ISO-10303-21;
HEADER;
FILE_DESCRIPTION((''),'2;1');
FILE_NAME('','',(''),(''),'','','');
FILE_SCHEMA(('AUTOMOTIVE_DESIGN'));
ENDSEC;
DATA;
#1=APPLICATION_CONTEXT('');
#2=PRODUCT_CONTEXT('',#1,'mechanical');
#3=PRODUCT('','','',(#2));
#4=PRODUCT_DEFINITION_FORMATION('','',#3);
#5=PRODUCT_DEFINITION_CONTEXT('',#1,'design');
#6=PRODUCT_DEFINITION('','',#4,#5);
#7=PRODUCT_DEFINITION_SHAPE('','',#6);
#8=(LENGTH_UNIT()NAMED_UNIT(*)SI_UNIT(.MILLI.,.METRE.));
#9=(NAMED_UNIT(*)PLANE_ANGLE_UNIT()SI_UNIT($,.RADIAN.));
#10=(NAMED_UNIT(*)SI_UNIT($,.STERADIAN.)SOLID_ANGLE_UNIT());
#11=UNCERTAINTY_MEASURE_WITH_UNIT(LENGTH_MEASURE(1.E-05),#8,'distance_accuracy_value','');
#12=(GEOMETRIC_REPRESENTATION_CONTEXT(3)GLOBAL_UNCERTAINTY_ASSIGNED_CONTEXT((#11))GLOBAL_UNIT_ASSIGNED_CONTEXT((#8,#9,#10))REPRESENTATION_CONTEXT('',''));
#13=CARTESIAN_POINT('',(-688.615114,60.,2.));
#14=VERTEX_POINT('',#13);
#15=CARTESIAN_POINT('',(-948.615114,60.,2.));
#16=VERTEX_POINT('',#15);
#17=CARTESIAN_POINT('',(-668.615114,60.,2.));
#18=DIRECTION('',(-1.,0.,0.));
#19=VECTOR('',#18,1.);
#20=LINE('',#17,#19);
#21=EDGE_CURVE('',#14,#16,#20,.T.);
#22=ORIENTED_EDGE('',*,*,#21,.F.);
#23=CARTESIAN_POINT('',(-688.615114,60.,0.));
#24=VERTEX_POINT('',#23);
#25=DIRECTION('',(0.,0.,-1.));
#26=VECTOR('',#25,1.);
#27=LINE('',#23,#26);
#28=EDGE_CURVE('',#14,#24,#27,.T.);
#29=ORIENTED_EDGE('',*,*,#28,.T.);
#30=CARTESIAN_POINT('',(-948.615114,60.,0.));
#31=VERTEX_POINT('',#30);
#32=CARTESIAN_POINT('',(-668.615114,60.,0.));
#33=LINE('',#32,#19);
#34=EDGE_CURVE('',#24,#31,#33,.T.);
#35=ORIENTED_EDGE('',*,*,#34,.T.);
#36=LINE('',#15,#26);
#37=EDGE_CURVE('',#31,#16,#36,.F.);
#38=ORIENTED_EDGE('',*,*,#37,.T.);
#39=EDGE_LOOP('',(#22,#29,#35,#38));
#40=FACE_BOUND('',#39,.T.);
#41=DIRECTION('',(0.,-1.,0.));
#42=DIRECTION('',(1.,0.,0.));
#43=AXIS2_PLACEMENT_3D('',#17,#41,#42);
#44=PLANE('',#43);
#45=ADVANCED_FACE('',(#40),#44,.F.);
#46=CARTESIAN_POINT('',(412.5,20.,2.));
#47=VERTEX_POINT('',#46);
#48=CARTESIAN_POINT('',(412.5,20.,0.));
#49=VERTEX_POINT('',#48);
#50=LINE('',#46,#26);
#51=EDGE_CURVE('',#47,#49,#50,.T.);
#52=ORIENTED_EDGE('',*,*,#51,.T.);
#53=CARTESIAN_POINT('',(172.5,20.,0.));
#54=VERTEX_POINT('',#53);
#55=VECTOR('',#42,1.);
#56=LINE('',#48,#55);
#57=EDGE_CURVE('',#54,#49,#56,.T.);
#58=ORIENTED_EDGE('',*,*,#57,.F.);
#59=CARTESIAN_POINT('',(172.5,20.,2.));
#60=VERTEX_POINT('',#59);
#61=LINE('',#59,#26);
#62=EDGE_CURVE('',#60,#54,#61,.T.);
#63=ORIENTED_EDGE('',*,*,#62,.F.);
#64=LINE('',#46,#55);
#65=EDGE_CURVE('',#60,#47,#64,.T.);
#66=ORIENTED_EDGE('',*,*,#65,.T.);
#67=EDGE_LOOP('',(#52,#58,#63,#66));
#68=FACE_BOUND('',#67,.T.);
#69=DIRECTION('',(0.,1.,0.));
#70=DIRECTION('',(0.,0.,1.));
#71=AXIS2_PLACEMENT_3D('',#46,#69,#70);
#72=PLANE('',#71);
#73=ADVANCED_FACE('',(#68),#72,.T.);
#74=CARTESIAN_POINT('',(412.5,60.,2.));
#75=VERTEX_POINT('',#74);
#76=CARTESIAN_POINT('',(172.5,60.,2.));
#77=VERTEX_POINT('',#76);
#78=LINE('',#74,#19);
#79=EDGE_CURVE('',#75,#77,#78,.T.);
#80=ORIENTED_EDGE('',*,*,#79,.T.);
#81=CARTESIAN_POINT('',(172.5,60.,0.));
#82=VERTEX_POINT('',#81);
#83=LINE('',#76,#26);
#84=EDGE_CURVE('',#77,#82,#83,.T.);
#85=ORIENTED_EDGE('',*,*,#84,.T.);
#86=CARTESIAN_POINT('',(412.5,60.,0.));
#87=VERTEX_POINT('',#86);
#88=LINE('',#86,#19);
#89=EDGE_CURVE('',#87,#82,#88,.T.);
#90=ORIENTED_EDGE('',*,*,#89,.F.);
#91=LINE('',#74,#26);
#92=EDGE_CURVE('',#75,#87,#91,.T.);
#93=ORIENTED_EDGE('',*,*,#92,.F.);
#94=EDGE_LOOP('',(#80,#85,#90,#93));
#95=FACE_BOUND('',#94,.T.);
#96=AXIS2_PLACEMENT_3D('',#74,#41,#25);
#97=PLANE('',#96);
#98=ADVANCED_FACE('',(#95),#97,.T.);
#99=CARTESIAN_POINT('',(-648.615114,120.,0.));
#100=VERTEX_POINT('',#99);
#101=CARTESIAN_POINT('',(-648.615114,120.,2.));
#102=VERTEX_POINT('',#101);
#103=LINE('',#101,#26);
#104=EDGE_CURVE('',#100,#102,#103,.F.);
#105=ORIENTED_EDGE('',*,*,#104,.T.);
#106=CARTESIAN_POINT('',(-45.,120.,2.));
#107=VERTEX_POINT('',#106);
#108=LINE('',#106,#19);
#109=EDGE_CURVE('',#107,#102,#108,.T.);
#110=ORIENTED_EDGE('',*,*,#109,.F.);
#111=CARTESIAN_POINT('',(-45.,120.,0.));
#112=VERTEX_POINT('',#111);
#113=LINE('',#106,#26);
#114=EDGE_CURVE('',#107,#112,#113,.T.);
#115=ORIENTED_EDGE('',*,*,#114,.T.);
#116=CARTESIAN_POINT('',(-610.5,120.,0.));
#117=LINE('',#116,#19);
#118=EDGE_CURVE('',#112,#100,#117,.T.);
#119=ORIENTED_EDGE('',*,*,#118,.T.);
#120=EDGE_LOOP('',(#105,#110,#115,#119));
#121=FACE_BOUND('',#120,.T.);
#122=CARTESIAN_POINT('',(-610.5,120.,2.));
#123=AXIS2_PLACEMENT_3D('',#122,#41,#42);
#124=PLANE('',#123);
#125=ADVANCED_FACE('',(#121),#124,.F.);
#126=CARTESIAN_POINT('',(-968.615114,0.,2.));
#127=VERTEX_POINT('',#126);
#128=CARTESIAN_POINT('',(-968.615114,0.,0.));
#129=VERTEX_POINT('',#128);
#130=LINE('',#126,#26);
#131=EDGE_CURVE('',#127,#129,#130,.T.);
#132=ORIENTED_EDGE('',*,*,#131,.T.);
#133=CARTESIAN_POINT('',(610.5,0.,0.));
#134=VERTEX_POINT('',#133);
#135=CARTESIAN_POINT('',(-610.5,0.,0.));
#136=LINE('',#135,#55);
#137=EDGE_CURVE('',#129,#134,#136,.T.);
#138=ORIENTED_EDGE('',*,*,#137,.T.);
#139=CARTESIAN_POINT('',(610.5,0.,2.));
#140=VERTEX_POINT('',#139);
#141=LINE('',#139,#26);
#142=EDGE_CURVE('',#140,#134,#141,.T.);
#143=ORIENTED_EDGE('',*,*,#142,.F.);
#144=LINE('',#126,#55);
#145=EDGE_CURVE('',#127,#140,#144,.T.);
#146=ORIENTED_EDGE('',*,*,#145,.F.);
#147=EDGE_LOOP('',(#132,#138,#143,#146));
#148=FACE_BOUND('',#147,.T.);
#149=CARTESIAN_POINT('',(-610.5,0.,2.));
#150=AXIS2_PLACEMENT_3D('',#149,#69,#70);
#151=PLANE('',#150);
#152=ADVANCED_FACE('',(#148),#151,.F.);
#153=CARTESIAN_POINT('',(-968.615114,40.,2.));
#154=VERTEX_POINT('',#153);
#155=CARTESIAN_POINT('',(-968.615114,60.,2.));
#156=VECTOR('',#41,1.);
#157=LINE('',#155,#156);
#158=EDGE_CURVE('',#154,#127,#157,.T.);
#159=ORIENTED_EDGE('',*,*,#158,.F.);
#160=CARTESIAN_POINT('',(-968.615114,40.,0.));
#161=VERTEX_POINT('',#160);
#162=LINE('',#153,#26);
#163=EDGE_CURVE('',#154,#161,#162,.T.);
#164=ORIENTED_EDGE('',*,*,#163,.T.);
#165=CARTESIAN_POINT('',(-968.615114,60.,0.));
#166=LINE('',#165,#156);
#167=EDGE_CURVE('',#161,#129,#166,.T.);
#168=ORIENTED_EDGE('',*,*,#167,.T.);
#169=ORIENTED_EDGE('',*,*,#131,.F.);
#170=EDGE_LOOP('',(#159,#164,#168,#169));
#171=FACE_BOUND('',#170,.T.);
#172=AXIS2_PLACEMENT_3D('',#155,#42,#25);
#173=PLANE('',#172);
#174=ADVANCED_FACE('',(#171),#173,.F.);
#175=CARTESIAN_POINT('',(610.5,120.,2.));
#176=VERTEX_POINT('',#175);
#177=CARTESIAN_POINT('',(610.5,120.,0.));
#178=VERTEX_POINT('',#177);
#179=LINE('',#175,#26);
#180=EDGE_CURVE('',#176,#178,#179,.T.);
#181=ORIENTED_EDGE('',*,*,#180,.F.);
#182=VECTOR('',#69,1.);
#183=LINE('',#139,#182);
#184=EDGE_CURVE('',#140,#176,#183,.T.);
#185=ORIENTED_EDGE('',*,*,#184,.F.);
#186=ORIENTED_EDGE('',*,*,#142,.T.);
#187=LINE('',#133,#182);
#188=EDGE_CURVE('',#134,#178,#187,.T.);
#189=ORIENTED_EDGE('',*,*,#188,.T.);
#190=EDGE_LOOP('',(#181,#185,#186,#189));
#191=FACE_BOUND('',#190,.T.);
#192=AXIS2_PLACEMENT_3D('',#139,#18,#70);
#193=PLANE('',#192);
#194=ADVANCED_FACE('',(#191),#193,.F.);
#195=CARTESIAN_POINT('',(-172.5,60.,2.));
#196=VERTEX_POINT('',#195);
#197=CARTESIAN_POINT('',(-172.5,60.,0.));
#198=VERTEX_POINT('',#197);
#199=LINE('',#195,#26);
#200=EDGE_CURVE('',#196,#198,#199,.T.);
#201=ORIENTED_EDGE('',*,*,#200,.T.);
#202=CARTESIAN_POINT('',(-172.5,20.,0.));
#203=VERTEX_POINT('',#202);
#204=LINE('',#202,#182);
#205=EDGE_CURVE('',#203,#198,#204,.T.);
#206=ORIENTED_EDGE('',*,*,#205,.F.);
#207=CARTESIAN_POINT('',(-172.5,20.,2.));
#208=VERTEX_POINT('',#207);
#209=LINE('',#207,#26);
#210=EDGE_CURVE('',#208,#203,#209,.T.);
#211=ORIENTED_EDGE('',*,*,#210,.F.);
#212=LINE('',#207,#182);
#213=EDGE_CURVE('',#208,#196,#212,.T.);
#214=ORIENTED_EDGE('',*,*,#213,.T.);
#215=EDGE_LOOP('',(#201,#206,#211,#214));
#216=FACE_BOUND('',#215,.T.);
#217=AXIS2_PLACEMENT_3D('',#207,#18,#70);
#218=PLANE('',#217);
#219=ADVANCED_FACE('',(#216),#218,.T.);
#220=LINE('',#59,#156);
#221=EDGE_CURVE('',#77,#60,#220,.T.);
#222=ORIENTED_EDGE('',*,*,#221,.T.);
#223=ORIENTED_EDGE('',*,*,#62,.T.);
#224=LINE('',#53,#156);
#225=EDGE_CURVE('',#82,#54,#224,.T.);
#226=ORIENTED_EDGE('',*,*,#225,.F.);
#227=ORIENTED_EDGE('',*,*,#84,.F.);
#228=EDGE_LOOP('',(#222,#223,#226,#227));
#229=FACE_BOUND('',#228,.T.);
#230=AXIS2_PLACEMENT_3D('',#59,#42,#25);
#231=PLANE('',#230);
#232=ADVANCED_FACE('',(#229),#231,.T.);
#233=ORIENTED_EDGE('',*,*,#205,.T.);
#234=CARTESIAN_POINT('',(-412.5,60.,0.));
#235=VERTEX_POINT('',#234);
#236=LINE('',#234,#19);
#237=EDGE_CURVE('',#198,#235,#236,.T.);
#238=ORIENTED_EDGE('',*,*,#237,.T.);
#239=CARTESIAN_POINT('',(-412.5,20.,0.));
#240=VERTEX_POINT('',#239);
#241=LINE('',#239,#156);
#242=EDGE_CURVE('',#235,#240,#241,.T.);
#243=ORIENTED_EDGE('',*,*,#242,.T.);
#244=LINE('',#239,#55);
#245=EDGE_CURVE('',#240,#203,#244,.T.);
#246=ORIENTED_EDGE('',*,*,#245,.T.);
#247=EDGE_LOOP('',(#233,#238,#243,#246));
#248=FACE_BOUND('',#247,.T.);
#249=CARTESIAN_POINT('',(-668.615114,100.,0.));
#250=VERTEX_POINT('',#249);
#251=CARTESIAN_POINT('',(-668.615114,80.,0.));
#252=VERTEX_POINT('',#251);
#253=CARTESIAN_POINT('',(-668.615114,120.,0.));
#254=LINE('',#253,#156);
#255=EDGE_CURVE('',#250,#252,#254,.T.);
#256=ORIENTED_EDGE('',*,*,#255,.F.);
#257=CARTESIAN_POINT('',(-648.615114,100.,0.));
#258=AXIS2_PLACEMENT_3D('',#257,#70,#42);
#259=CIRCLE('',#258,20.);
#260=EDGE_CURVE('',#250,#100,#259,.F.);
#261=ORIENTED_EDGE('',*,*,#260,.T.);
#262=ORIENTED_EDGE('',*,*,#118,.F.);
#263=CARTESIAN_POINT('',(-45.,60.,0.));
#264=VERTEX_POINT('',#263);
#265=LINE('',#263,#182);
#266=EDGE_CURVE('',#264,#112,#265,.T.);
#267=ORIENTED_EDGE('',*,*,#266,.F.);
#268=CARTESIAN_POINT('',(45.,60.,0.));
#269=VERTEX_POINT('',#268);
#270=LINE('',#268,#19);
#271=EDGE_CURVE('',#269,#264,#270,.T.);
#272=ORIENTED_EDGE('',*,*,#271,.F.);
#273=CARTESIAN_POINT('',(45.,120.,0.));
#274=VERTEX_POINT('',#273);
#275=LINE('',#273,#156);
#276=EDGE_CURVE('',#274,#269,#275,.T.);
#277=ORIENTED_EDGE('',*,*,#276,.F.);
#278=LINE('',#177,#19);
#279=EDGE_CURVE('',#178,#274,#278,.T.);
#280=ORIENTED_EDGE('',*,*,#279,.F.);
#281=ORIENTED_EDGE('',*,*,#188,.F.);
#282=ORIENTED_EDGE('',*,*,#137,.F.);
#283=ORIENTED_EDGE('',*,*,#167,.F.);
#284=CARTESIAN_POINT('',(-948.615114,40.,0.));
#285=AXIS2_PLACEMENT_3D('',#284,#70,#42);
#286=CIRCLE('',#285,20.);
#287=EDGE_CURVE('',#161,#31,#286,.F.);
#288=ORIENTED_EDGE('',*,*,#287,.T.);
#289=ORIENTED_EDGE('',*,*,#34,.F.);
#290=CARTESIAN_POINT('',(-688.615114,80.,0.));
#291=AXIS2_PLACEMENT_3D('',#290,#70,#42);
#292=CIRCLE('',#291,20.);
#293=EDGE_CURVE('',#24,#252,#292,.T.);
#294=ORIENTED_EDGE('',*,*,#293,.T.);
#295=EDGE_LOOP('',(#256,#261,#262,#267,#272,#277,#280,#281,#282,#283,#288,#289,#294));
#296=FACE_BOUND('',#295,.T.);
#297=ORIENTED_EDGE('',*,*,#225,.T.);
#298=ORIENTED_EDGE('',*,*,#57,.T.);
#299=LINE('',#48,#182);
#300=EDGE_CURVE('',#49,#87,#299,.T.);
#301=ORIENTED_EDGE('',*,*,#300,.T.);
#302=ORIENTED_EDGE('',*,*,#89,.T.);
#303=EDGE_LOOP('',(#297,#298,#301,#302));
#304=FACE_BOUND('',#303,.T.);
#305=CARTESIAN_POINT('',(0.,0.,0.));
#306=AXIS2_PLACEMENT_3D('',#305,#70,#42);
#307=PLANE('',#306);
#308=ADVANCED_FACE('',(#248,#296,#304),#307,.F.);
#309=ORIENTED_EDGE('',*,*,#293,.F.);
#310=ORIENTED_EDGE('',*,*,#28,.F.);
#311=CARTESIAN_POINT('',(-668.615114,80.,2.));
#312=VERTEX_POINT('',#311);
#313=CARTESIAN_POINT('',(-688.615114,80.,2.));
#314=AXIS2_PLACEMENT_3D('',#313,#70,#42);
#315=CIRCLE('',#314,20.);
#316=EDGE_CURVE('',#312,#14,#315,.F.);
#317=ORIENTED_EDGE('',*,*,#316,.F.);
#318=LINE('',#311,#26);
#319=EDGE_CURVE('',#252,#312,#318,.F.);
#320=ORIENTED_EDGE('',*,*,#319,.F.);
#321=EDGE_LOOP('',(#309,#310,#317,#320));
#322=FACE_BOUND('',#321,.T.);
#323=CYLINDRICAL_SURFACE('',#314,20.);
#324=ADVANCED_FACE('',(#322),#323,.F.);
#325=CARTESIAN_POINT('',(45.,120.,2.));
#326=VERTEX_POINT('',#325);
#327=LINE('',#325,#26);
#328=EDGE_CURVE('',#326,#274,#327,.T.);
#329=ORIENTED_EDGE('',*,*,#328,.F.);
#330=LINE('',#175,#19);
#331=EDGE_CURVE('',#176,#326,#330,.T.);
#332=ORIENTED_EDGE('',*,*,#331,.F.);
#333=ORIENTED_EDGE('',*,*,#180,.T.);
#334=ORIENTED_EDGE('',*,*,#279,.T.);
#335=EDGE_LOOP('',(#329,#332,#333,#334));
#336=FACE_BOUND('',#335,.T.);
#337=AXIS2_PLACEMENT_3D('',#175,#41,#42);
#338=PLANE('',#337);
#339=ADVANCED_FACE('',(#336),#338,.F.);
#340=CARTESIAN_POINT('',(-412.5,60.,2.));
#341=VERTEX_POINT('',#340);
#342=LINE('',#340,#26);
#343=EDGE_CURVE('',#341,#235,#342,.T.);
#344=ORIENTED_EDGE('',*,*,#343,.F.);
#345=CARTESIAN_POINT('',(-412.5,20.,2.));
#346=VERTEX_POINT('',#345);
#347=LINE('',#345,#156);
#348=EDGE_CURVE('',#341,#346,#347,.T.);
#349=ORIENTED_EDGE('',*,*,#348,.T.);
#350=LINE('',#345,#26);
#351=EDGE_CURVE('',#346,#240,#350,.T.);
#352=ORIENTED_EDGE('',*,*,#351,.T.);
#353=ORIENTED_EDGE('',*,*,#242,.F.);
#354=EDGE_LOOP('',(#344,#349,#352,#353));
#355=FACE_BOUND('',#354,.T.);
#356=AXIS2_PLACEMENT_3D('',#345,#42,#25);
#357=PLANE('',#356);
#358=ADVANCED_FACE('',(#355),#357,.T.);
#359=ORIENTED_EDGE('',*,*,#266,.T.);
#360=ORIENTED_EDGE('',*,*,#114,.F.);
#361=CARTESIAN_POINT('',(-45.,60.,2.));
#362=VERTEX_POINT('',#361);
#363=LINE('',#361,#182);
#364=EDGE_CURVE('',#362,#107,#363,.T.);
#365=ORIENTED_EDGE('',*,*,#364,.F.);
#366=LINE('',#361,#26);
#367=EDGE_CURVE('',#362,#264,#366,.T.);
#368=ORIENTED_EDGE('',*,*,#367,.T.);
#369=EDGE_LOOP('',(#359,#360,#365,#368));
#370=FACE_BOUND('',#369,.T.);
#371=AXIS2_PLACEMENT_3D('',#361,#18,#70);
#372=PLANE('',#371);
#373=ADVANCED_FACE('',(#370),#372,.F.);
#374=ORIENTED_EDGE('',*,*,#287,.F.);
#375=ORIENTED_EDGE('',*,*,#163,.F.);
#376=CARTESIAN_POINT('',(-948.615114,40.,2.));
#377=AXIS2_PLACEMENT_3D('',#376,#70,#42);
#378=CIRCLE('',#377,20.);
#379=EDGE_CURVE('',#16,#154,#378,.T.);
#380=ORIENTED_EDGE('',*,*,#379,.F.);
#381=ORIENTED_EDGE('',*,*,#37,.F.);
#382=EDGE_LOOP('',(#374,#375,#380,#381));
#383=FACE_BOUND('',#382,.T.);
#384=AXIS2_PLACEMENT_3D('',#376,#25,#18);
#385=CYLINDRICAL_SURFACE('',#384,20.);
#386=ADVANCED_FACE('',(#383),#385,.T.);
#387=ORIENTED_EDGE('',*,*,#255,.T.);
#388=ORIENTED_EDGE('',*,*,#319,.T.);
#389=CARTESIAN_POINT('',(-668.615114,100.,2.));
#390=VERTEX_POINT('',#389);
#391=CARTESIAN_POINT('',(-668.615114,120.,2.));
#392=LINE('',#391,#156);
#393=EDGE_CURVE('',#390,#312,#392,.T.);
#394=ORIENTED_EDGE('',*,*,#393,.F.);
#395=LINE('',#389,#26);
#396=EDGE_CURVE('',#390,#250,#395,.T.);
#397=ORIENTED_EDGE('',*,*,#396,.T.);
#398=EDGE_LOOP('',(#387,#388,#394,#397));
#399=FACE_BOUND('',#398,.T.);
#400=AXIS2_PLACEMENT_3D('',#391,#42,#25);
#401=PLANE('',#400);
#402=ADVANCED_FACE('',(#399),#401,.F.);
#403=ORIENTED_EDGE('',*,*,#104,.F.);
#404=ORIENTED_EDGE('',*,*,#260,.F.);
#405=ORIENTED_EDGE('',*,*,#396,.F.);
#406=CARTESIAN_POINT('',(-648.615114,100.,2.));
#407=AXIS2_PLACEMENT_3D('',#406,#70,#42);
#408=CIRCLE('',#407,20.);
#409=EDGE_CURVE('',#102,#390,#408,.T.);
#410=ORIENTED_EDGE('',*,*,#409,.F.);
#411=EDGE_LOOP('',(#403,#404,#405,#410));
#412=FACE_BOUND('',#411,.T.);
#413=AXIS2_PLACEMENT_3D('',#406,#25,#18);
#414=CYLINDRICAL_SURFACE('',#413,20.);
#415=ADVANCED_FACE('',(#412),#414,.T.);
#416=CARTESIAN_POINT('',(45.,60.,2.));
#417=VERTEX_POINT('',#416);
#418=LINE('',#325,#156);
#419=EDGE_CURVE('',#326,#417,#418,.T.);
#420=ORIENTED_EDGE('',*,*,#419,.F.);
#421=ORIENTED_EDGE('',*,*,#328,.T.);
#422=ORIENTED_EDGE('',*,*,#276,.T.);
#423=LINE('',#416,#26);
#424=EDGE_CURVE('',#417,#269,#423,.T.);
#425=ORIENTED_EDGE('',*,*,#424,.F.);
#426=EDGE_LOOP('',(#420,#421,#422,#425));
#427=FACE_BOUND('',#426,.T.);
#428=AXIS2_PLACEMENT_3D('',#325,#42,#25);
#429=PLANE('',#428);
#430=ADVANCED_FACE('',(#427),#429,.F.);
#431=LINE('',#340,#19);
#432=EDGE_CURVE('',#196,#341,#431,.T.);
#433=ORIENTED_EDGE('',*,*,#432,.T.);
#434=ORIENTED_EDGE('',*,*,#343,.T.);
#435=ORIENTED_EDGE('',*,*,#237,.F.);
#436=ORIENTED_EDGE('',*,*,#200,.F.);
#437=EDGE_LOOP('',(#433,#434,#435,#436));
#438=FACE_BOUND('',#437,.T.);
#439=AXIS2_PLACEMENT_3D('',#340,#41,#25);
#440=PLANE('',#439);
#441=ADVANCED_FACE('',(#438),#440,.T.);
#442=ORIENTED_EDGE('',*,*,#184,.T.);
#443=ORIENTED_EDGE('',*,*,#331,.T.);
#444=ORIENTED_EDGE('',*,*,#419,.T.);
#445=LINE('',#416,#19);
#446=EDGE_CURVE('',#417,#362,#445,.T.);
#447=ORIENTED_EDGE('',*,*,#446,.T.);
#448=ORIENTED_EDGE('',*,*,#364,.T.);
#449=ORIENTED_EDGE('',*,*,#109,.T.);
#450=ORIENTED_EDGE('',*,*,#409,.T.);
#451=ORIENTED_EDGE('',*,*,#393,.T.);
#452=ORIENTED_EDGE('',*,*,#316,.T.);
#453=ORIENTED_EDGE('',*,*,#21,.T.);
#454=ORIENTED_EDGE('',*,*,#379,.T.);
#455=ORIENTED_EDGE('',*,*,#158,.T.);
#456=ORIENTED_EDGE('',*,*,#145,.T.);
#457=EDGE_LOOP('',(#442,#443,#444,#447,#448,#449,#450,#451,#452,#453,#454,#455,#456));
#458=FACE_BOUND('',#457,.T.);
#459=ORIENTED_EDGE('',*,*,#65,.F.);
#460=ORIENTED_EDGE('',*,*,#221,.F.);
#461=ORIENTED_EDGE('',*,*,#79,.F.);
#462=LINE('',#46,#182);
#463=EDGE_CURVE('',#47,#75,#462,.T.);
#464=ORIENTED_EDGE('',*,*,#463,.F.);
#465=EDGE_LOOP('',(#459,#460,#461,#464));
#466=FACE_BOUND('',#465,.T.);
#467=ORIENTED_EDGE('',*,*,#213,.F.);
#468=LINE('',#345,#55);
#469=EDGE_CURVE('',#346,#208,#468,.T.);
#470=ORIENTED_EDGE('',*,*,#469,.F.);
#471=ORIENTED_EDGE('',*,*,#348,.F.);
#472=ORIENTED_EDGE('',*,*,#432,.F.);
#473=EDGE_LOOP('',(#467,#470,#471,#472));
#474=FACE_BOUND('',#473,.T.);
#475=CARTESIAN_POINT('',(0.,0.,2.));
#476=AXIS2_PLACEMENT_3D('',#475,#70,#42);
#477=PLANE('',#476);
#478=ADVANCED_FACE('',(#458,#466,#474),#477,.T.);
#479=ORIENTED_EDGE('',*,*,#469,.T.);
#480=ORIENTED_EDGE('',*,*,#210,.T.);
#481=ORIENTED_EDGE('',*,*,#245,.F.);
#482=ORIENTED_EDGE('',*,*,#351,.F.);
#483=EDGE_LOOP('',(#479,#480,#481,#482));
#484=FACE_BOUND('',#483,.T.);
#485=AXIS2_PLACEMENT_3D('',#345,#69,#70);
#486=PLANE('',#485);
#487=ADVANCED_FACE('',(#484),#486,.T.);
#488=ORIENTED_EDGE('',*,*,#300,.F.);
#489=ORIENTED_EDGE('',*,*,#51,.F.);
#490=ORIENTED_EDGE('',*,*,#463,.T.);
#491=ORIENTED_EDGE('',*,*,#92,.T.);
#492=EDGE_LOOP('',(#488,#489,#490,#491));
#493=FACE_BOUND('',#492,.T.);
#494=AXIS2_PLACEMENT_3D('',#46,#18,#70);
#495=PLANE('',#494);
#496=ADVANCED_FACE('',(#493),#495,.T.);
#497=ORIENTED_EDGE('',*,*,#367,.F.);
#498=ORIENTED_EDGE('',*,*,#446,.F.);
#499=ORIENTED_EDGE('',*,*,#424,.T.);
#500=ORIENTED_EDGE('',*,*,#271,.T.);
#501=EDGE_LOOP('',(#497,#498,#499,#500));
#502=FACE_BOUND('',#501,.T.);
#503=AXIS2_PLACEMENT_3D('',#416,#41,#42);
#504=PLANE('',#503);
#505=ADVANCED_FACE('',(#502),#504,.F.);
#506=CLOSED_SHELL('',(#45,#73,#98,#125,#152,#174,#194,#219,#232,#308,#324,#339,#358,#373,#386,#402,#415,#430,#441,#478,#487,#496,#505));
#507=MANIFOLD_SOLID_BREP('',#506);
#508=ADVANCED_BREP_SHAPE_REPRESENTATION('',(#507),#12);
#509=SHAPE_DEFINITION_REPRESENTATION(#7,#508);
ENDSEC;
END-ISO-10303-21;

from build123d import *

# Parameters (mm, degrees)
ESQUISSE1_W        = 240
ESQUISSE1_H        = 40
BOSS_EXTRU_1_DEPTH = 2
CONG_1_R           = 20


with BuildPart() as part:
    # Esquisse1 → Boss.-Extru.1 (new body)
    with BuildSketch(Plane.XY):
        Polygon((-610.5, 0), (610.5, 0), (610.5, 120), (45, 120), (45, 60), (-45, 60), (-45, 120), (-610.5, 120), (-668.615113653, 120), (-668.615113653, 60), (-968.615113653, 60), (-968.615113653, 0), align=None)
        with Locations((292.5, 40)):
            Rectangle(ESQUISSE1_W, ESQUISSE1_H, mode=Mode.SUBTRACT)
        with Locations((-292.5, 40)):
            Rectangle(ESQUISSE1_W, ESQUISSE1_H, mode=Mode.SUBTRACT)
    extrude(amount=BOSS_EXTRU_1_DEPTH)

    # Congé1
    cong_1_edges = [part.edges().sort_by_distance(p)[0] for p in [
        (-968.615113653, 60, 1),
        (-668.615113653, 60, 1),
        (-668.615113653, 120, 1),
    ]]
    fillet(cong_1_edges, radius=CONG_1_R)


solid = part.part
